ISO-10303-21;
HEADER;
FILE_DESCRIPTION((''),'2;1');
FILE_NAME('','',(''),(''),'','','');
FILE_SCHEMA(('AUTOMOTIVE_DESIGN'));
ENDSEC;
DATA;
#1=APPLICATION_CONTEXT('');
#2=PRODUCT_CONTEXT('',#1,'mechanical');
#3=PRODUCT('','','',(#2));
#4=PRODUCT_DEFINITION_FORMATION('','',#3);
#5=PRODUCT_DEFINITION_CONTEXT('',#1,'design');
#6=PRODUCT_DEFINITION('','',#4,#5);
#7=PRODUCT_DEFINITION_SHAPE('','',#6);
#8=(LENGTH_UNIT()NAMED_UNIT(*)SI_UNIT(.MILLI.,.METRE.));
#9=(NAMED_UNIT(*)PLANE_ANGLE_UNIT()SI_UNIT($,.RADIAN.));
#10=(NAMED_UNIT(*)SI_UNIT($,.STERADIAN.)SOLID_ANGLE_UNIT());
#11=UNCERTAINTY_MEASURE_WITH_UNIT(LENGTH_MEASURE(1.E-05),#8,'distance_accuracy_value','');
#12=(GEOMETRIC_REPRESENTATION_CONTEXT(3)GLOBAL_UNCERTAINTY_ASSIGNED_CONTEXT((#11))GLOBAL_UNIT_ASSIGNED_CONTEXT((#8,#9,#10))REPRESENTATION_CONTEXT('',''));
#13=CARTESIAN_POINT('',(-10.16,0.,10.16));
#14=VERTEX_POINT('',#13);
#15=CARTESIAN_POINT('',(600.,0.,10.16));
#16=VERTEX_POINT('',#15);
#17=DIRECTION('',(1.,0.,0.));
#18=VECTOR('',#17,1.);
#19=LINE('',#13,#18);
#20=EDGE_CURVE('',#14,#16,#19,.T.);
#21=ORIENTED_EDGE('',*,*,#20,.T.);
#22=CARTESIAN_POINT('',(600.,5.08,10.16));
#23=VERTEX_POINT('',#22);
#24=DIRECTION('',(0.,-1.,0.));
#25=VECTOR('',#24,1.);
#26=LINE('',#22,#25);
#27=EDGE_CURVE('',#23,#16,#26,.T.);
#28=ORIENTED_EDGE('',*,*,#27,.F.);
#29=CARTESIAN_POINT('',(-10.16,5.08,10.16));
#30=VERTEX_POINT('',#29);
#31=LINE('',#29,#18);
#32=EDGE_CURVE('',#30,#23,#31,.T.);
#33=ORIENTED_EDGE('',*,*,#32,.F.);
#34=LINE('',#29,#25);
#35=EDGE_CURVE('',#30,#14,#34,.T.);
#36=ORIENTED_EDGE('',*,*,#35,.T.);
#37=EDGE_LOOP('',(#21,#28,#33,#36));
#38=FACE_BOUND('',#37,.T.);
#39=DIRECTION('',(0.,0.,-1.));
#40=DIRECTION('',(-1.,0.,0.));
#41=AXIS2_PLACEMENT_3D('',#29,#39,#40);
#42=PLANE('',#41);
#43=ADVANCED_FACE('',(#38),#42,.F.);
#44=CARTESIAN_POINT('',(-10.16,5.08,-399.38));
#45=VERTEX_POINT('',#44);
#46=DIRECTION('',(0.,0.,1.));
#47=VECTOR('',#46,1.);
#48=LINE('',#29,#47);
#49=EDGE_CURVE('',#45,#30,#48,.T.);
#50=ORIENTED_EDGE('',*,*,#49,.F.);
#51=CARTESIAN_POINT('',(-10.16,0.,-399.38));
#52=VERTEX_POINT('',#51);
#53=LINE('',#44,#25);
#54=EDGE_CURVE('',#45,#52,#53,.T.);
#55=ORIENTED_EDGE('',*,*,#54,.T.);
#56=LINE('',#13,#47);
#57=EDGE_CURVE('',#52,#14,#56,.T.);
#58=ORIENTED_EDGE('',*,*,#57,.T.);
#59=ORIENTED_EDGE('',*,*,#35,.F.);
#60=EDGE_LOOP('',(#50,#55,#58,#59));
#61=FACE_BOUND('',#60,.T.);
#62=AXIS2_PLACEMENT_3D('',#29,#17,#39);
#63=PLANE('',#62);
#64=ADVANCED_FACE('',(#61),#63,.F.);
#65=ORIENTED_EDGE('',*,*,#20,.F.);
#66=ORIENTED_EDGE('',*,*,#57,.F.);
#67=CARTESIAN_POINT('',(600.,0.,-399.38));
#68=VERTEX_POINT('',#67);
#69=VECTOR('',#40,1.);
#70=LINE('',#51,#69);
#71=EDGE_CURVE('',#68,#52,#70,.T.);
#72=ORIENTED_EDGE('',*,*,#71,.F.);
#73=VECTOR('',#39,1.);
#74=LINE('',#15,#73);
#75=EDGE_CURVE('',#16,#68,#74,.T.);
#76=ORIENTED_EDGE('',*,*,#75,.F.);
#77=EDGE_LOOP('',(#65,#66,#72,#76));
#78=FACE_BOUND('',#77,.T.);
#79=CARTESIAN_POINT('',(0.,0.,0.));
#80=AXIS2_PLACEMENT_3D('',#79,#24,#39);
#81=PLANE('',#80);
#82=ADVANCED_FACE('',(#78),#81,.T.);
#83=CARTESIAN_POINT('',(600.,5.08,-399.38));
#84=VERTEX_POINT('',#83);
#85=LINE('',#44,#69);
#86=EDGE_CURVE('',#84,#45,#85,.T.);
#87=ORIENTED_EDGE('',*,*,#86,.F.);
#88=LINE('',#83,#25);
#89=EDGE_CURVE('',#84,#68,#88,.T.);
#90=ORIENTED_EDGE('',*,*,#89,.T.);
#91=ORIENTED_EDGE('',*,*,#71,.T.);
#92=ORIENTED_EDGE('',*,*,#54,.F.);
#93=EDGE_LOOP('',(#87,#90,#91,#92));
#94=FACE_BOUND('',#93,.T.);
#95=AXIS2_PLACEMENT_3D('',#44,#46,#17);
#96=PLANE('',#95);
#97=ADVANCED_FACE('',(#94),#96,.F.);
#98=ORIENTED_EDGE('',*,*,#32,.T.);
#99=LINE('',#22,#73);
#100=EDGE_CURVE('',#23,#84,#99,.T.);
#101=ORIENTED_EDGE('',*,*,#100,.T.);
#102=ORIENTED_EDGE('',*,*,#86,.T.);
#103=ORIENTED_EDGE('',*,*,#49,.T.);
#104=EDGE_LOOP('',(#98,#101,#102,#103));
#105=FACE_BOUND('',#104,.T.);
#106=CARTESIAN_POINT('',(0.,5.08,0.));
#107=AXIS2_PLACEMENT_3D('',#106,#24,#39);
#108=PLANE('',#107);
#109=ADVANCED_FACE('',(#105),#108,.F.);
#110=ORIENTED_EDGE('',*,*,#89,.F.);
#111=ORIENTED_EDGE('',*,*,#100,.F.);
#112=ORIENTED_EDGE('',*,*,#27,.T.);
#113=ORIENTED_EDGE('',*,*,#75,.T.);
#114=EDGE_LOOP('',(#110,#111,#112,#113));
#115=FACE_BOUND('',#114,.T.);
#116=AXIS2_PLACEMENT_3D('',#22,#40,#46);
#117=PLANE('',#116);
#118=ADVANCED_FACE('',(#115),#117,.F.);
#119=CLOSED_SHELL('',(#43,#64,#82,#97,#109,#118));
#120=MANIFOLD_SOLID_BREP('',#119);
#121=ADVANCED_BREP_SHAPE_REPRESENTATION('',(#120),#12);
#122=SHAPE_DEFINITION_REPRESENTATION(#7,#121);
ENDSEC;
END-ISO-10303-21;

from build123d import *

# Parameters (mm, degrees)
SKETCH1_W           = 610.16
SKETCH1_H           = 409.54
BOSS_EXTRUDE1_DEPTH = 5.08


with BuildPart() as part:
    # Sketch1 → Boss-Extrude1 (new body)
    with BuildSketch(Plane(origin=(0, 0, 0), x_dir=(1, 0, 0), z_dir=(0, 1, 0))):
        with Locations((294.92, 194.61)):
            Rectangle(SKETCH1_W, SKETCH1_H)
    extrude(amount=BOSS_EXTRUDE1_DEPTH)


solid = part.part
